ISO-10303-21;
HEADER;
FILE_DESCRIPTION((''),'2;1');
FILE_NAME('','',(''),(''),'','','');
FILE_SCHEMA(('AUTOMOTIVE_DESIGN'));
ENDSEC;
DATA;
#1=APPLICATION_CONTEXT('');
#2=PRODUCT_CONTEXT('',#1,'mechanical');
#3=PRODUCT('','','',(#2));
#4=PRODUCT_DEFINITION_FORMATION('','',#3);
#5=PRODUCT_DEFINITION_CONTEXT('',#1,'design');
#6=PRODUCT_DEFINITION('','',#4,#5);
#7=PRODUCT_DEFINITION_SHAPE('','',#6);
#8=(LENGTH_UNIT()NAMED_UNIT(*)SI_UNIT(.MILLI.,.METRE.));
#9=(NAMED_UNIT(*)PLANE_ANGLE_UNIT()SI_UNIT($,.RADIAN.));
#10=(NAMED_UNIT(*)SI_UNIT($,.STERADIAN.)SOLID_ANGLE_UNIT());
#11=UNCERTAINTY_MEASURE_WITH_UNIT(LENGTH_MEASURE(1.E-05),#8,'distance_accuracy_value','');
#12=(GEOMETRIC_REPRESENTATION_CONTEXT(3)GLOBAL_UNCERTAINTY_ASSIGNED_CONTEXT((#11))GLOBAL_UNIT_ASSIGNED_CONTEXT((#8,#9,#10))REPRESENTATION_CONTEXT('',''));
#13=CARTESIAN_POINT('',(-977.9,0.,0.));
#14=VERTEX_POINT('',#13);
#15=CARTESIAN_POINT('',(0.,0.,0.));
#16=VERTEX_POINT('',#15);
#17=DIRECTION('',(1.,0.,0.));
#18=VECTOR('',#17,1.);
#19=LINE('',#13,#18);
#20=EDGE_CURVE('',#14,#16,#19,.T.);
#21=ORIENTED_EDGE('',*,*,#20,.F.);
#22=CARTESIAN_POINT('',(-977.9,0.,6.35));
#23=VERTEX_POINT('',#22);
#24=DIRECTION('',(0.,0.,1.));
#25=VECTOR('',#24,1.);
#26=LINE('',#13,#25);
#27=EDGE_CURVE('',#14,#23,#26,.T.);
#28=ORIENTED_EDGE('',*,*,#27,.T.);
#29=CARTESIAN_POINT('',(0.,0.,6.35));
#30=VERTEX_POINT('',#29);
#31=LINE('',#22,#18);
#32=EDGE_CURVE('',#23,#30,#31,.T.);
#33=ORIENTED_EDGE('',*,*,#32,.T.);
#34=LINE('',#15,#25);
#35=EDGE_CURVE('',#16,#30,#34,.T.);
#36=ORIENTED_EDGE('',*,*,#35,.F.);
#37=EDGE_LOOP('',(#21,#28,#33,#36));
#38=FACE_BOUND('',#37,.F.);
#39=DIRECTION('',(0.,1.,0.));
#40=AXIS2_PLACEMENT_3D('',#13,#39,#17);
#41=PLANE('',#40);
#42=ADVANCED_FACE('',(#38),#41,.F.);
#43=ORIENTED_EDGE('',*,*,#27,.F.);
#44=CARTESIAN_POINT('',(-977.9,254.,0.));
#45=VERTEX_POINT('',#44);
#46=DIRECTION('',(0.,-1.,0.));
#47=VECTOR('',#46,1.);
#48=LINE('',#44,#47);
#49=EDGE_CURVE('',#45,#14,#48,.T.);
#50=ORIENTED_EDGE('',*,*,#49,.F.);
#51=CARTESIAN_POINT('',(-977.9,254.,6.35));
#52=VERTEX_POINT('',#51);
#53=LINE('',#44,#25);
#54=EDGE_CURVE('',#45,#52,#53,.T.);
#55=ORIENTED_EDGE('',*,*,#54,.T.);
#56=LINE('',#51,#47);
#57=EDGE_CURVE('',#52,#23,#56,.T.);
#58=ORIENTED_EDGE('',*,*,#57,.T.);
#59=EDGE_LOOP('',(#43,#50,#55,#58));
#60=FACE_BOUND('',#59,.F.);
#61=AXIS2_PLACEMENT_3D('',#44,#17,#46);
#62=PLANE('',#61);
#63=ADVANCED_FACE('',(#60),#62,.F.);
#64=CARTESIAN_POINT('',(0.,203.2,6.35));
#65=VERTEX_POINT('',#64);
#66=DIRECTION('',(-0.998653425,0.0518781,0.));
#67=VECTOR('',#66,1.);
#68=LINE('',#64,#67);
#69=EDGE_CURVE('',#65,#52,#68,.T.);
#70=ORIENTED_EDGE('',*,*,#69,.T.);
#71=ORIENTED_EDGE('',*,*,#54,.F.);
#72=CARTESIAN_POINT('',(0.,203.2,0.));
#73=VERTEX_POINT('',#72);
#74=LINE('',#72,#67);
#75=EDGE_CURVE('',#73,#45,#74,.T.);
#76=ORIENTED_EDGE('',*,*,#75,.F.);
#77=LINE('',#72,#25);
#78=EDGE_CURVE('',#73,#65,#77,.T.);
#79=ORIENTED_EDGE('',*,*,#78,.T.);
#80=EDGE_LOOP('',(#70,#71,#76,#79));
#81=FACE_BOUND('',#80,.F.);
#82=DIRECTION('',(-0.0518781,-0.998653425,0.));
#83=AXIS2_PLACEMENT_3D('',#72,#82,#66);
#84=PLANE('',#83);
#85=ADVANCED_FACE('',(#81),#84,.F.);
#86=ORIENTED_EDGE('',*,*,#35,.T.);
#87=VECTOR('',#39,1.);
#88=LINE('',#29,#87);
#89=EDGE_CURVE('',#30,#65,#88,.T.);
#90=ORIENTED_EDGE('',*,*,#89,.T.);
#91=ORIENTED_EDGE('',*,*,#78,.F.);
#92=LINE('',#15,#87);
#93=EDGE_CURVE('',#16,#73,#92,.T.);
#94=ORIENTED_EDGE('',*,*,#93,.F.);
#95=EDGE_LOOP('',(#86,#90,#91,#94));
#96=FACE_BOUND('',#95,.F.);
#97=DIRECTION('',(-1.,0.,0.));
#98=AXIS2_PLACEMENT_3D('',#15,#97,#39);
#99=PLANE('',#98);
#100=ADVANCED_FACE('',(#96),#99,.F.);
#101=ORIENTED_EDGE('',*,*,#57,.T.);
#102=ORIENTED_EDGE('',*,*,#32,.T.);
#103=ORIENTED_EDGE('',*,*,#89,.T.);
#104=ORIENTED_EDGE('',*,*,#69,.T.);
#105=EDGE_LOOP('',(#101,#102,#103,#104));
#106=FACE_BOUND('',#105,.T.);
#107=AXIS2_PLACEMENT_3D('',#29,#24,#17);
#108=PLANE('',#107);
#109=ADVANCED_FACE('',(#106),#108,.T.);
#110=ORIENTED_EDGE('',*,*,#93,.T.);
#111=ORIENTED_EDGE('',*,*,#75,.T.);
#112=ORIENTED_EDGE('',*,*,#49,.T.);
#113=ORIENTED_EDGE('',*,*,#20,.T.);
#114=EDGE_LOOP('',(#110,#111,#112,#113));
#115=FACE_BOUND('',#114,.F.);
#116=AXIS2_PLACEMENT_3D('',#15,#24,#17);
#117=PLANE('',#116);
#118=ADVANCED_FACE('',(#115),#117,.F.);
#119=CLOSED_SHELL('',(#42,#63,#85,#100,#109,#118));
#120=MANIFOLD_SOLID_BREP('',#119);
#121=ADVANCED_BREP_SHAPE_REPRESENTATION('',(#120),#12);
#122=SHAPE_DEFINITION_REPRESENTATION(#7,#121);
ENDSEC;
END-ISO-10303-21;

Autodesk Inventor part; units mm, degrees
ref_plane "YZ Plane" through (0, 0, 0) normal (1, 0, 0) x (0, 1, 0)
ref_plane "XZ Plane" through (0, 0, 0) normal (0, 1, 0) x (-1, 0, 0)
ref_plane "XY Plane" through (0, 0, 0) normal (0, 0, 1) x (1, 0, 0)
sketch "Sketch1" plane through (0, 0, 0) normal (0, 0, 1) x (1, 0, 0)
  line L0 (0, 0) -> (0, 203.2)
  line L1 (0, 203.2) -> (-977.9, 254)
  line L2 (-977.9, 254) -> (-977.9, 0)
  line L3 (-977.9, 0) -> (0, 0)
  dimension "d0" = 203.2
  dimension "d1" = 254
  dimension "d2" = 977.9
extrude "Extrusion1" add sketch "Sketch1" along normal blind 6.35
properties part number "GE-12084"
